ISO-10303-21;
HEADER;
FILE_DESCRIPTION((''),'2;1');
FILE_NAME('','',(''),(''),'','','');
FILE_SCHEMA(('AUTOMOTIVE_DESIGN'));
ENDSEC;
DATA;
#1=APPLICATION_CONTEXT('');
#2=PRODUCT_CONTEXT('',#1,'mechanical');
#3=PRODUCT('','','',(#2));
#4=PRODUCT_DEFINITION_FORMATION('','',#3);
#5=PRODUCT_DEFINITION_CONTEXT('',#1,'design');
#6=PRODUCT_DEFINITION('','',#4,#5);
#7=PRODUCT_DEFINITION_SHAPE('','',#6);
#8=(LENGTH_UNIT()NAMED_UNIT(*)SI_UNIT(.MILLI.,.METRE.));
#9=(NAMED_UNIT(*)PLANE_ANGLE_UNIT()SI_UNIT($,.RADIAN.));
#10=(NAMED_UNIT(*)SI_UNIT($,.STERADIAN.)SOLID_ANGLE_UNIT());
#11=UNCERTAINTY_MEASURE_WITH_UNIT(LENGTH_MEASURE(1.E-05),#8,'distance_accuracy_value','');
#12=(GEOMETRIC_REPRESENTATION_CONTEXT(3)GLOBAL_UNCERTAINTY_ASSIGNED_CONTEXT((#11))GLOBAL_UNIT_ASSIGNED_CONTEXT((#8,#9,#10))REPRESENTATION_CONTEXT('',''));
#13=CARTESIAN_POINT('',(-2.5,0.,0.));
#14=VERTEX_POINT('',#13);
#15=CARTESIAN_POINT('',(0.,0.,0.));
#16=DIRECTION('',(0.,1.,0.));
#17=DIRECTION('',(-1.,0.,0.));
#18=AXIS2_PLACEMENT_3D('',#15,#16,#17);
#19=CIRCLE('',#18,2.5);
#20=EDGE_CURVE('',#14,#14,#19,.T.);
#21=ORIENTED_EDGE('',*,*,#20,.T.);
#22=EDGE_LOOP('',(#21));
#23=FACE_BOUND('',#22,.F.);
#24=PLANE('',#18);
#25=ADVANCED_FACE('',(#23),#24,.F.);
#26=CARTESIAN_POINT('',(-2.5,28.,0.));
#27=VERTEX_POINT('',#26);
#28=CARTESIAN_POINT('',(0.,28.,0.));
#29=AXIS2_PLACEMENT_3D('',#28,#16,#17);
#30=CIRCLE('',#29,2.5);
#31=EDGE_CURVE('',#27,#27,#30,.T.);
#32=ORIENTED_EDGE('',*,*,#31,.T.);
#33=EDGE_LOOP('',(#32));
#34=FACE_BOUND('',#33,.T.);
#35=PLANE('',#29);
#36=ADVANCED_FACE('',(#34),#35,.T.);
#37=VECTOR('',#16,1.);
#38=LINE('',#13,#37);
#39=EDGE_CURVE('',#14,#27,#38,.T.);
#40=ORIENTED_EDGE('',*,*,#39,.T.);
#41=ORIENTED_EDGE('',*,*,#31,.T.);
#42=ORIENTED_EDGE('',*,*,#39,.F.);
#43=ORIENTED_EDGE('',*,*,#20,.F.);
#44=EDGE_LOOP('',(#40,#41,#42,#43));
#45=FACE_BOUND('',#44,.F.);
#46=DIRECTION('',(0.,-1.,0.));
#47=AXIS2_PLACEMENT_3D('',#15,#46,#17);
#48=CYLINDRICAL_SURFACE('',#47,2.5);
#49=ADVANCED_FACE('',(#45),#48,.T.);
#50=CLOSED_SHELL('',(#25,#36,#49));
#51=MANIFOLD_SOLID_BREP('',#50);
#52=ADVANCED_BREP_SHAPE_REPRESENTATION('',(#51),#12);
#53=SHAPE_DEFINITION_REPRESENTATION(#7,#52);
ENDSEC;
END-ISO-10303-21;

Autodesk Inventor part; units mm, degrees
ref_plane "YZ Plane" through (0, 0, 0) normal (1, 0, 0) x (0, 1, 0)
ref_plane "XZ Plane" through (0, 0, 0) normal (0, 1, 0) x (-1, 0, 0)
ref_plane "XY Plane" through (0, 0, 0) normal (0, 0, 1) x (1, 0, 0)
sketch "Sketch1" plane through (0, 0, 0) normal (0, 1, 0) x (-1, 0, 0)
  circle A0 centre (0, 0) radius 2.5
  dimension "d0" = 5
extrude "Extrusion1" add sketch "Sketch1" along normal blind 28
properties part number "Y_Slider_Zahnrad_Stange_kurz"
